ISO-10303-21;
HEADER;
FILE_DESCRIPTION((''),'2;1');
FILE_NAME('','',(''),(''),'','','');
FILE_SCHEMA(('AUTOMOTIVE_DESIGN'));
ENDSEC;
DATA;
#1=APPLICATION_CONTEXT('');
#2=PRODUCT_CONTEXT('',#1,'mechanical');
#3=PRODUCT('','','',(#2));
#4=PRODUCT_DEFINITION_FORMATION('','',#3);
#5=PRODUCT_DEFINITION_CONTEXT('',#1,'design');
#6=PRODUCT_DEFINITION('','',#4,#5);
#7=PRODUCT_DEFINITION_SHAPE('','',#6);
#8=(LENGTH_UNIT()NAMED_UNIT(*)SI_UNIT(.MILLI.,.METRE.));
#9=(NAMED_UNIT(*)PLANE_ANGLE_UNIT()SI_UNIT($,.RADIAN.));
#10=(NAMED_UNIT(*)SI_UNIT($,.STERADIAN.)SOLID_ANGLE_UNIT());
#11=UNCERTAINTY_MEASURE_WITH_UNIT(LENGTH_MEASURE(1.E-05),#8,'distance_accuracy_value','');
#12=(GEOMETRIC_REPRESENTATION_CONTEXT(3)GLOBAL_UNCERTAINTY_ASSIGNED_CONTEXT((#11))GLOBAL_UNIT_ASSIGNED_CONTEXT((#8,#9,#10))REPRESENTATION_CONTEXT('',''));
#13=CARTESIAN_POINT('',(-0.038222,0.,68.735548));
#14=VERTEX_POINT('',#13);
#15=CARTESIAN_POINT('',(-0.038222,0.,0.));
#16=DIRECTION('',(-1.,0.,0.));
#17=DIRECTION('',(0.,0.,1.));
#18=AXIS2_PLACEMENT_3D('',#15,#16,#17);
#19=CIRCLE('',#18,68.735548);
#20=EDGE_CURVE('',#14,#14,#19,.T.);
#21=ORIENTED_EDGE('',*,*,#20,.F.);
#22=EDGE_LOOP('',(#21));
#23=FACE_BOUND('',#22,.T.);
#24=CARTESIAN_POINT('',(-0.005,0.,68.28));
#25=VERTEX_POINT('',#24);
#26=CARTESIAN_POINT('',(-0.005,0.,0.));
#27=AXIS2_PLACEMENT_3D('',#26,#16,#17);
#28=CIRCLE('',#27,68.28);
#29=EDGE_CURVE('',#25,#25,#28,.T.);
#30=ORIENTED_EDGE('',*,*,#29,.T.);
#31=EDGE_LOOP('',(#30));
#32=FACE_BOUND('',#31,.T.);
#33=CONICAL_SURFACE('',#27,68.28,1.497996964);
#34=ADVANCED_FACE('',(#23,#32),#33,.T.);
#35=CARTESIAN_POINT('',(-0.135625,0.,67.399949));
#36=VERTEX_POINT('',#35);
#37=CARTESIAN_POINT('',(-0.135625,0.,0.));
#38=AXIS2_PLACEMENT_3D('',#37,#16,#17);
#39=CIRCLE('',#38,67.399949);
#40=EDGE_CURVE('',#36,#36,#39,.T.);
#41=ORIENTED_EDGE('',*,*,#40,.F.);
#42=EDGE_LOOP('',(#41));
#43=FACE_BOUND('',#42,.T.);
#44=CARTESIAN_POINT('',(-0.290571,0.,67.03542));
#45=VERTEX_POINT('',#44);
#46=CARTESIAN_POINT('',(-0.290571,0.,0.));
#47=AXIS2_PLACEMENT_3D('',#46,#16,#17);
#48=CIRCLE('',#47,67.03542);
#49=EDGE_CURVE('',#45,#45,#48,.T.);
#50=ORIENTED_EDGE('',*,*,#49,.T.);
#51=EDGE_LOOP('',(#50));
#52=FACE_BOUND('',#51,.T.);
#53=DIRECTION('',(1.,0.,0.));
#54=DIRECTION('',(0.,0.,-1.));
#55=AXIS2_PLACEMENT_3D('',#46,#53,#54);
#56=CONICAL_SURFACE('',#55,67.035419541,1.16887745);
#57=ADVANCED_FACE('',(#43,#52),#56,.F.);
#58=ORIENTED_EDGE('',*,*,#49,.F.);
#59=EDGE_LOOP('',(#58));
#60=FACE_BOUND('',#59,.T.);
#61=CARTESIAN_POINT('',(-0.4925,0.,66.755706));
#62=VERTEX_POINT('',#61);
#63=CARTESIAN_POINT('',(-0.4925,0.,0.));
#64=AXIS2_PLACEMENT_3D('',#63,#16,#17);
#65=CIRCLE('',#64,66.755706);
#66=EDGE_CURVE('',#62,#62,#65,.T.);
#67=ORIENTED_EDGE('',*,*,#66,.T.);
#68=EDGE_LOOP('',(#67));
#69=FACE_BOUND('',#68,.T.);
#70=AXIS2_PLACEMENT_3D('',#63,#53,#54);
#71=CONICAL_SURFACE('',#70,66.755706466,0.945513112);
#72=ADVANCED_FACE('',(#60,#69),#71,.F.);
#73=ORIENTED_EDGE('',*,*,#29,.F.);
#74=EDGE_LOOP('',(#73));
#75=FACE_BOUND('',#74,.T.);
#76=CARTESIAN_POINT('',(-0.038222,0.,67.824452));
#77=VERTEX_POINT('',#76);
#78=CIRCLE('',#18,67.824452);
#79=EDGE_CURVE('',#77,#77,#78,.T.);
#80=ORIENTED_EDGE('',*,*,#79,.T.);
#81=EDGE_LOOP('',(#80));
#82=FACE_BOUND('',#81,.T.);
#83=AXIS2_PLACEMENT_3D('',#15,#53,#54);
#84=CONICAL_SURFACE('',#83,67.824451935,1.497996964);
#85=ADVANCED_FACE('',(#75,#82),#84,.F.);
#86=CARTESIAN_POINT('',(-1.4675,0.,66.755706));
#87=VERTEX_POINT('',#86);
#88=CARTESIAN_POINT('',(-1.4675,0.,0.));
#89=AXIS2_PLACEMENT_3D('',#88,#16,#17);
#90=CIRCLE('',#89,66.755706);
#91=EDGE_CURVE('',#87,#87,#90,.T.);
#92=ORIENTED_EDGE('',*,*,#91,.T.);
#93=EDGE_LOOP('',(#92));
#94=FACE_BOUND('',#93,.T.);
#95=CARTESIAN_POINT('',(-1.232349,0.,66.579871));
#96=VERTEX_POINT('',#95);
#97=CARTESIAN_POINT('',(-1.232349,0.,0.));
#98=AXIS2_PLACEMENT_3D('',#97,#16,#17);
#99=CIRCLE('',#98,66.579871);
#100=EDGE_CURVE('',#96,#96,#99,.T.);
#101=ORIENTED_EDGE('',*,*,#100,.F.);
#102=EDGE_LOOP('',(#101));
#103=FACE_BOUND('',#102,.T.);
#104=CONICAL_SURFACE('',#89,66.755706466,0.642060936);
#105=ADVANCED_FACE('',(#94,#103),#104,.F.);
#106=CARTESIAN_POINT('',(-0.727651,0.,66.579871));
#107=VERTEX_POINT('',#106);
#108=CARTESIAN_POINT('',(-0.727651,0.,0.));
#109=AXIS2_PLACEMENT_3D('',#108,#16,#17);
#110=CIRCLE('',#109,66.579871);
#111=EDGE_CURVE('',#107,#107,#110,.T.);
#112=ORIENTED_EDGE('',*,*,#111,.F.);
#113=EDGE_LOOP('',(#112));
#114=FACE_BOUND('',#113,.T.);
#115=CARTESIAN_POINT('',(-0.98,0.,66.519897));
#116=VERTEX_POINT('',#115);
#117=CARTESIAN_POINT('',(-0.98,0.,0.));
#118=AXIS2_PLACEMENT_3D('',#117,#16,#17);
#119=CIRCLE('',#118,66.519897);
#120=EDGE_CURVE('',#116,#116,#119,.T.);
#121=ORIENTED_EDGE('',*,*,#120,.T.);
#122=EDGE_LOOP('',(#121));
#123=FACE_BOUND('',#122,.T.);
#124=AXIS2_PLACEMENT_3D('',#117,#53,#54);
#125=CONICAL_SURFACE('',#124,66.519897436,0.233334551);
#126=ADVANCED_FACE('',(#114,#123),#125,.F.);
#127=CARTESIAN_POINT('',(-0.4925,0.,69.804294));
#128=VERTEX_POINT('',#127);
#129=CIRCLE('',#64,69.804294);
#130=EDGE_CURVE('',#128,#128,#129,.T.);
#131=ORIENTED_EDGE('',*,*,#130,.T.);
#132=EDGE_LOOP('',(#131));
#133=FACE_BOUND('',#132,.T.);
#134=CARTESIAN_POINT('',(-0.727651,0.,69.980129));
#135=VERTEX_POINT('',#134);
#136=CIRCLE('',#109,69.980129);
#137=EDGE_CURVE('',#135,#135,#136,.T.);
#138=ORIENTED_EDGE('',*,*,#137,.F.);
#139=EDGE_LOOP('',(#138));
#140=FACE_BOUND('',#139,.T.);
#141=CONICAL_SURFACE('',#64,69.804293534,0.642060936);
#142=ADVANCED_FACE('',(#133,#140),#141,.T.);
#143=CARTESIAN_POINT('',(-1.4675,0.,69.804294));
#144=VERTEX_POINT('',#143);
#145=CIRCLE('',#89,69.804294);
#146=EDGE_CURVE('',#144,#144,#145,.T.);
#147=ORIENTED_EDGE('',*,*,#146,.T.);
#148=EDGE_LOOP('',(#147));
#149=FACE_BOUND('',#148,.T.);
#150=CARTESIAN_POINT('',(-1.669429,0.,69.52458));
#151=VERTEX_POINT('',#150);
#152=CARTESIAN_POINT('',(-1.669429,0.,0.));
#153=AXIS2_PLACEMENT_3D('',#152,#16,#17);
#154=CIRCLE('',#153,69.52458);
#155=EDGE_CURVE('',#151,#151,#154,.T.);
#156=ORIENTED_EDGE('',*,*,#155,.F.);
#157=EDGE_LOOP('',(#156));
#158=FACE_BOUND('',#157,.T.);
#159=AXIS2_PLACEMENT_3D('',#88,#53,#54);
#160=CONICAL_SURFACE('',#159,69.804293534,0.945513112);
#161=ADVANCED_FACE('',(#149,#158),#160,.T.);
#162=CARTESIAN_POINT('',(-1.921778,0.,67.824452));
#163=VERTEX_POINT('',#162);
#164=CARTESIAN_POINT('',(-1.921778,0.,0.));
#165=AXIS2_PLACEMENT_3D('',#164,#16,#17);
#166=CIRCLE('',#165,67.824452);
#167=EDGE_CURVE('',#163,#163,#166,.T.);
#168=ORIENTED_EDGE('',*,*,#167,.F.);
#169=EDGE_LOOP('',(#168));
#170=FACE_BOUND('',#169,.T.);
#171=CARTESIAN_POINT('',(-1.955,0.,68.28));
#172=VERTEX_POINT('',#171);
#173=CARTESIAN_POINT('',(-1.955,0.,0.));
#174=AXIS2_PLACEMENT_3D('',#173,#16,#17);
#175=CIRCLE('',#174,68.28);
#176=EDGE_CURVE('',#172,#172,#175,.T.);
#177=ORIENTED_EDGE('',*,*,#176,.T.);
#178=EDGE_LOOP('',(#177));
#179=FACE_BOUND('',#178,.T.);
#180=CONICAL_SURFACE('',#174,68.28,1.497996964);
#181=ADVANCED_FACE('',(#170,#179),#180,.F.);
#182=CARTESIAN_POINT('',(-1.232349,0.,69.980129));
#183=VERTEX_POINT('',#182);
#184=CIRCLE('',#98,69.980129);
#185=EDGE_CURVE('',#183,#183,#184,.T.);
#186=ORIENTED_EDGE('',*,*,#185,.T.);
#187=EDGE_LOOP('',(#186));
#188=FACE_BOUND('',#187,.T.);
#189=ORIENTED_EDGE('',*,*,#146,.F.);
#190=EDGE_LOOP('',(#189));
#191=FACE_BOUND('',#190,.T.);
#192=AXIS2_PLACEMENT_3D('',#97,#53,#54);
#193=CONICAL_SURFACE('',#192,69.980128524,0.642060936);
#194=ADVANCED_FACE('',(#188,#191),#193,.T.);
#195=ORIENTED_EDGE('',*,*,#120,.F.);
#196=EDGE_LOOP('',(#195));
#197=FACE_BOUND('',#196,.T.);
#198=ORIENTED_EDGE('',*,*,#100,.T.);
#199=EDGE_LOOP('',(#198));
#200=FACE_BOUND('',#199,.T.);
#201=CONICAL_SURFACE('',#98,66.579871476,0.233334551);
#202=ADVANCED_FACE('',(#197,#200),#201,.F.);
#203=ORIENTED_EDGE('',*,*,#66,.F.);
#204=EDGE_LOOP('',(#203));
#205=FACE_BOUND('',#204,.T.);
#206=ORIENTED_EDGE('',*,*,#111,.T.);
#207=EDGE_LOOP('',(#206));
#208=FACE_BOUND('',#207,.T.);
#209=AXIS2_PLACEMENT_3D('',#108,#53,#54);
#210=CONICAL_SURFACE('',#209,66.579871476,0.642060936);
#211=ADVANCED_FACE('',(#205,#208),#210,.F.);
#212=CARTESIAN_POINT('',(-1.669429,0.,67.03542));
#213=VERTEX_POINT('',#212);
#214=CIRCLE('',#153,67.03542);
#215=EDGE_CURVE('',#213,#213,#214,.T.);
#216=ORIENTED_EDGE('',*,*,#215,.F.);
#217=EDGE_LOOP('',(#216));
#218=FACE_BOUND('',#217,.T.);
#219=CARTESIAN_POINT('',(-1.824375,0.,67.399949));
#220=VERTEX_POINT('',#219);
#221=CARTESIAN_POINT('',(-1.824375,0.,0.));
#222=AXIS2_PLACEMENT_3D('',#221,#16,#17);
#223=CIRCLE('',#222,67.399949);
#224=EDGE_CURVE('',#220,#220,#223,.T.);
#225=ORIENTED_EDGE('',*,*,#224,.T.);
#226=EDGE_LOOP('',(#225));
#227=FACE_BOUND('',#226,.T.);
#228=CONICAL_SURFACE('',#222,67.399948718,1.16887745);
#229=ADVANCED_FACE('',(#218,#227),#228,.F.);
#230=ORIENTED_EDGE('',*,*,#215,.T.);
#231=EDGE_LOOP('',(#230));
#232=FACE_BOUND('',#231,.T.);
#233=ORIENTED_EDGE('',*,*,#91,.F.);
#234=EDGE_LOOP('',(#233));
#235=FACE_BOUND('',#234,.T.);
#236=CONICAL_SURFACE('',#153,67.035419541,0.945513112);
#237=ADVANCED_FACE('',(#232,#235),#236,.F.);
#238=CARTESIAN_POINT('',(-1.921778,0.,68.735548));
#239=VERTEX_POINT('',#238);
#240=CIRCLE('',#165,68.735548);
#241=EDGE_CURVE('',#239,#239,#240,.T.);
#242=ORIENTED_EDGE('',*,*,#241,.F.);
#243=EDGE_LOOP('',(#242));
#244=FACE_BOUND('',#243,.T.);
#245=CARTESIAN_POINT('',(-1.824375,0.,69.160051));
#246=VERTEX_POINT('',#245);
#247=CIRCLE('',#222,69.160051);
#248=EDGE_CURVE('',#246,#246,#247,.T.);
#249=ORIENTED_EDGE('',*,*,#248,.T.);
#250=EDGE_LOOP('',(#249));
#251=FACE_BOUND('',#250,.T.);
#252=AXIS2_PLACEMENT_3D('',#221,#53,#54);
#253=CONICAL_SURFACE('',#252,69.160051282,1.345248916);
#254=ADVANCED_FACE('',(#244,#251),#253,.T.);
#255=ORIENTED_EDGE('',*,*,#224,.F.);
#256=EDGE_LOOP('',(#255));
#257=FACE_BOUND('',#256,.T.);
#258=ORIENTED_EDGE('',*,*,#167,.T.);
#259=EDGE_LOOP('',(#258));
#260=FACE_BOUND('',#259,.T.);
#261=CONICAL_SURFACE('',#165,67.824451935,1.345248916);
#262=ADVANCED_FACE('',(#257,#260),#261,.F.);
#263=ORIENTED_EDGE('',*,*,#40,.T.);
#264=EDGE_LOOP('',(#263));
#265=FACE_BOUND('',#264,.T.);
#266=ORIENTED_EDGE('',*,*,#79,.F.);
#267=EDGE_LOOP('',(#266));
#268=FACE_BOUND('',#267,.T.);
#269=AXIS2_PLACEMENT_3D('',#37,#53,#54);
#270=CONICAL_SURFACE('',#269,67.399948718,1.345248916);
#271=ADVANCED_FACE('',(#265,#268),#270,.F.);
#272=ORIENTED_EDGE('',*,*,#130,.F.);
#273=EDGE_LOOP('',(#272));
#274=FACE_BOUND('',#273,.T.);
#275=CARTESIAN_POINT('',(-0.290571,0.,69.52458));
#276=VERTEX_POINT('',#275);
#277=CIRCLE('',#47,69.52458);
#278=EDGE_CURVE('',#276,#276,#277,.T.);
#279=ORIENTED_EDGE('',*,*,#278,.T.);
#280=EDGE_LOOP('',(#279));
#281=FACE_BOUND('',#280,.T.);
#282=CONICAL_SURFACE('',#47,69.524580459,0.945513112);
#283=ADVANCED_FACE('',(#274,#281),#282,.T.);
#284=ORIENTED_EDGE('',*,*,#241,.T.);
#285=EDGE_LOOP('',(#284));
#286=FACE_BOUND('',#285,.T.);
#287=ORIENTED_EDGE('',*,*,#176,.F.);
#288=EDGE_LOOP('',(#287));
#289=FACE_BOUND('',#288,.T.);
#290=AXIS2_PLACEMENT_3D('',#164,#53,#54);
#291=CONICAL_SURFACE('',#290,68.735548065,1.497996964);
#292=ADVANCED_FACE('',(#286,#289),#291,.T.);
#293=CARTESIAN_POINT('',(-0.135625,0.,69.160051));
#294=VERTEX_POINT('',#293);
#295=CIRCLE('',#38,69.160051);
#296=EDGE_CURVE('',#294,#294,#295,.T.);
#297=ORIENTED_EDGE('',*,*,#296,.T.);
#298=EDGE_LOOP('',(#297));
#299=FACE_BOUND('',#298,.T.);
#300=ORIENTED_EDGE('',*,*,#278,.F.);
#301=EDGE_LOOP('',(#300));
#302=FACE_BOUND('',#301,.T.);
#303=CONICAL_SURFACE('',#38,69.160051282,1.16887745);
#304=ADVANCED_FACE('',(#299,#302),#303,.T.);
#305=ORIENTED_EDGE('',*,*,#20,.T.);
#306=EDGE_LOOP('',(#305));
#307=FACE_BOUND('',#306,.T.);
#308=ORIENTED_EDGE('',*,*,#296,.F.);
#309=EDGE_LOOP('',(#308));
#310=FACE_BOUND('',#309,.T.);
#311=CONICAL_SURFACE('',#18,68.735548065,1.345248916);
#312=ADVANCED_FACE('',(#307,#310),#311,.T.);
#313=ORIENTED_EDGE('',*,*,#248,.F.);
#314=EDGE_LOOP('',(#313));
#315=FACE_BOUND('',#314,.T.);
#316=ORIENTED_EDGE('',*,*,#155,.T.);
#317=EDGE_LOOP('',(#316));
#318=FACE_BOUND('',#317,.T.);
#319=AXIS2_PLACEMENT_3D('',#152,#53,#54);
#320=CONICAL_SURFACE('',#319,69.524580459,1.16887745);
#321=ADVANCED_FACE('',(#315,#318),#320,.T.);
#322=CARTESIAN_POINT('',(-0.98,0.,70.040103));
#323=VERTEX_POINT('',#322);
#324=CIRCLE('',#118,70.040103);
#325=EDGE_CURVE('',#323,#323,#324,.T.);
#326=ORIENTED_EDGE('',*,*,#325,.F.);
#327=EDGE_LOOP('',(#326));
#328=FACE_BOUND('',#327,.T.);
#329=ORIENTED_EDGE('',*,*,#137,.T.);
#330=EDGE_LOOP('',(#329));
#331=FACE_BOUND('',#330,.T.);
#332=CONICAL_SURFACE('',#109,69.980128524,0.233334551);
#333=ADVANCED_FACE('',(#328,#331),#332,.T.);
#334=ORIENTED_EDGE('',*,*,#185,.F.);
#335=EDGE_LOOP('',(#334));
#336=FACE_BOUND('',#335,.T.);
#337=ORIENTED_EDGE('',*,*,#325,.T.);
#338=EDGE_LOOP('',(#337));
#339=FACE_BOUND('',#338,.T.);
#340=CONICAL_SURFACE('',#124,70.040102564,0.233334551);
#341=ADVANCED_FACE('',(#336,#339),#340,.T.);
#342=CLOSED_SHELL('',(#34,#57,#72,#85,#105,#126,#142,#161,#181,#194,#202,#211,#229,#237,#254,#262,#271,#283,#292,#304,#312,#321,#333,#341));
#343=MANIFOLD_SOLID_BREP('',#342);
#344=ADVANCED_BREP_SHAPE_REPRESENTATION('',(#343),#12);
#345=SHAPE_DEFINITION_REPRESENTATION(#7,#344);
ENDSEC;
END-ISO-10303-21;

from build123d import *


with BuildPart() as part:
    # O_Ring_Outer Sketch → O_Ring_Outer (revolve)
    with BuildSketch(Plane.XY):
        Polygon((-1.955, 68.28), (-1.921777681, 68.735548065), (-1.824374769, 69.160051282), (-1.669429112, 69.524580459), (-1.4675, 69.804293534), (-1.232348569, 69.980128524), (-0.98, 70.040102564), (-0.727651431, 69.980128524), (-0.4925, 69.804293534), (-0.290570888, 69.524580459), (-0.135625231, 69.160051282), (-0.038222319, 68.735548065), (-0.005, 68.28), (-0.038222319, 67.824451935), (-0.135625231, 67.399948718), (-0.290570888, 67.035419541), (-0.4925, 66.755706466), (-0.727651431, 66.579871476), (-0.98, 66.519897436), (-1.232348569, 66.579871476), (-1.4675, 66.755706466), (-1.669429112, 67.035419541), (-1.824374769, 67.399948718), (-1.921777681, 67.824451935), align=None)
    revolve(axis=Axis((-1000, 0, 0), (1, 0, 0)))


solid = part.part
